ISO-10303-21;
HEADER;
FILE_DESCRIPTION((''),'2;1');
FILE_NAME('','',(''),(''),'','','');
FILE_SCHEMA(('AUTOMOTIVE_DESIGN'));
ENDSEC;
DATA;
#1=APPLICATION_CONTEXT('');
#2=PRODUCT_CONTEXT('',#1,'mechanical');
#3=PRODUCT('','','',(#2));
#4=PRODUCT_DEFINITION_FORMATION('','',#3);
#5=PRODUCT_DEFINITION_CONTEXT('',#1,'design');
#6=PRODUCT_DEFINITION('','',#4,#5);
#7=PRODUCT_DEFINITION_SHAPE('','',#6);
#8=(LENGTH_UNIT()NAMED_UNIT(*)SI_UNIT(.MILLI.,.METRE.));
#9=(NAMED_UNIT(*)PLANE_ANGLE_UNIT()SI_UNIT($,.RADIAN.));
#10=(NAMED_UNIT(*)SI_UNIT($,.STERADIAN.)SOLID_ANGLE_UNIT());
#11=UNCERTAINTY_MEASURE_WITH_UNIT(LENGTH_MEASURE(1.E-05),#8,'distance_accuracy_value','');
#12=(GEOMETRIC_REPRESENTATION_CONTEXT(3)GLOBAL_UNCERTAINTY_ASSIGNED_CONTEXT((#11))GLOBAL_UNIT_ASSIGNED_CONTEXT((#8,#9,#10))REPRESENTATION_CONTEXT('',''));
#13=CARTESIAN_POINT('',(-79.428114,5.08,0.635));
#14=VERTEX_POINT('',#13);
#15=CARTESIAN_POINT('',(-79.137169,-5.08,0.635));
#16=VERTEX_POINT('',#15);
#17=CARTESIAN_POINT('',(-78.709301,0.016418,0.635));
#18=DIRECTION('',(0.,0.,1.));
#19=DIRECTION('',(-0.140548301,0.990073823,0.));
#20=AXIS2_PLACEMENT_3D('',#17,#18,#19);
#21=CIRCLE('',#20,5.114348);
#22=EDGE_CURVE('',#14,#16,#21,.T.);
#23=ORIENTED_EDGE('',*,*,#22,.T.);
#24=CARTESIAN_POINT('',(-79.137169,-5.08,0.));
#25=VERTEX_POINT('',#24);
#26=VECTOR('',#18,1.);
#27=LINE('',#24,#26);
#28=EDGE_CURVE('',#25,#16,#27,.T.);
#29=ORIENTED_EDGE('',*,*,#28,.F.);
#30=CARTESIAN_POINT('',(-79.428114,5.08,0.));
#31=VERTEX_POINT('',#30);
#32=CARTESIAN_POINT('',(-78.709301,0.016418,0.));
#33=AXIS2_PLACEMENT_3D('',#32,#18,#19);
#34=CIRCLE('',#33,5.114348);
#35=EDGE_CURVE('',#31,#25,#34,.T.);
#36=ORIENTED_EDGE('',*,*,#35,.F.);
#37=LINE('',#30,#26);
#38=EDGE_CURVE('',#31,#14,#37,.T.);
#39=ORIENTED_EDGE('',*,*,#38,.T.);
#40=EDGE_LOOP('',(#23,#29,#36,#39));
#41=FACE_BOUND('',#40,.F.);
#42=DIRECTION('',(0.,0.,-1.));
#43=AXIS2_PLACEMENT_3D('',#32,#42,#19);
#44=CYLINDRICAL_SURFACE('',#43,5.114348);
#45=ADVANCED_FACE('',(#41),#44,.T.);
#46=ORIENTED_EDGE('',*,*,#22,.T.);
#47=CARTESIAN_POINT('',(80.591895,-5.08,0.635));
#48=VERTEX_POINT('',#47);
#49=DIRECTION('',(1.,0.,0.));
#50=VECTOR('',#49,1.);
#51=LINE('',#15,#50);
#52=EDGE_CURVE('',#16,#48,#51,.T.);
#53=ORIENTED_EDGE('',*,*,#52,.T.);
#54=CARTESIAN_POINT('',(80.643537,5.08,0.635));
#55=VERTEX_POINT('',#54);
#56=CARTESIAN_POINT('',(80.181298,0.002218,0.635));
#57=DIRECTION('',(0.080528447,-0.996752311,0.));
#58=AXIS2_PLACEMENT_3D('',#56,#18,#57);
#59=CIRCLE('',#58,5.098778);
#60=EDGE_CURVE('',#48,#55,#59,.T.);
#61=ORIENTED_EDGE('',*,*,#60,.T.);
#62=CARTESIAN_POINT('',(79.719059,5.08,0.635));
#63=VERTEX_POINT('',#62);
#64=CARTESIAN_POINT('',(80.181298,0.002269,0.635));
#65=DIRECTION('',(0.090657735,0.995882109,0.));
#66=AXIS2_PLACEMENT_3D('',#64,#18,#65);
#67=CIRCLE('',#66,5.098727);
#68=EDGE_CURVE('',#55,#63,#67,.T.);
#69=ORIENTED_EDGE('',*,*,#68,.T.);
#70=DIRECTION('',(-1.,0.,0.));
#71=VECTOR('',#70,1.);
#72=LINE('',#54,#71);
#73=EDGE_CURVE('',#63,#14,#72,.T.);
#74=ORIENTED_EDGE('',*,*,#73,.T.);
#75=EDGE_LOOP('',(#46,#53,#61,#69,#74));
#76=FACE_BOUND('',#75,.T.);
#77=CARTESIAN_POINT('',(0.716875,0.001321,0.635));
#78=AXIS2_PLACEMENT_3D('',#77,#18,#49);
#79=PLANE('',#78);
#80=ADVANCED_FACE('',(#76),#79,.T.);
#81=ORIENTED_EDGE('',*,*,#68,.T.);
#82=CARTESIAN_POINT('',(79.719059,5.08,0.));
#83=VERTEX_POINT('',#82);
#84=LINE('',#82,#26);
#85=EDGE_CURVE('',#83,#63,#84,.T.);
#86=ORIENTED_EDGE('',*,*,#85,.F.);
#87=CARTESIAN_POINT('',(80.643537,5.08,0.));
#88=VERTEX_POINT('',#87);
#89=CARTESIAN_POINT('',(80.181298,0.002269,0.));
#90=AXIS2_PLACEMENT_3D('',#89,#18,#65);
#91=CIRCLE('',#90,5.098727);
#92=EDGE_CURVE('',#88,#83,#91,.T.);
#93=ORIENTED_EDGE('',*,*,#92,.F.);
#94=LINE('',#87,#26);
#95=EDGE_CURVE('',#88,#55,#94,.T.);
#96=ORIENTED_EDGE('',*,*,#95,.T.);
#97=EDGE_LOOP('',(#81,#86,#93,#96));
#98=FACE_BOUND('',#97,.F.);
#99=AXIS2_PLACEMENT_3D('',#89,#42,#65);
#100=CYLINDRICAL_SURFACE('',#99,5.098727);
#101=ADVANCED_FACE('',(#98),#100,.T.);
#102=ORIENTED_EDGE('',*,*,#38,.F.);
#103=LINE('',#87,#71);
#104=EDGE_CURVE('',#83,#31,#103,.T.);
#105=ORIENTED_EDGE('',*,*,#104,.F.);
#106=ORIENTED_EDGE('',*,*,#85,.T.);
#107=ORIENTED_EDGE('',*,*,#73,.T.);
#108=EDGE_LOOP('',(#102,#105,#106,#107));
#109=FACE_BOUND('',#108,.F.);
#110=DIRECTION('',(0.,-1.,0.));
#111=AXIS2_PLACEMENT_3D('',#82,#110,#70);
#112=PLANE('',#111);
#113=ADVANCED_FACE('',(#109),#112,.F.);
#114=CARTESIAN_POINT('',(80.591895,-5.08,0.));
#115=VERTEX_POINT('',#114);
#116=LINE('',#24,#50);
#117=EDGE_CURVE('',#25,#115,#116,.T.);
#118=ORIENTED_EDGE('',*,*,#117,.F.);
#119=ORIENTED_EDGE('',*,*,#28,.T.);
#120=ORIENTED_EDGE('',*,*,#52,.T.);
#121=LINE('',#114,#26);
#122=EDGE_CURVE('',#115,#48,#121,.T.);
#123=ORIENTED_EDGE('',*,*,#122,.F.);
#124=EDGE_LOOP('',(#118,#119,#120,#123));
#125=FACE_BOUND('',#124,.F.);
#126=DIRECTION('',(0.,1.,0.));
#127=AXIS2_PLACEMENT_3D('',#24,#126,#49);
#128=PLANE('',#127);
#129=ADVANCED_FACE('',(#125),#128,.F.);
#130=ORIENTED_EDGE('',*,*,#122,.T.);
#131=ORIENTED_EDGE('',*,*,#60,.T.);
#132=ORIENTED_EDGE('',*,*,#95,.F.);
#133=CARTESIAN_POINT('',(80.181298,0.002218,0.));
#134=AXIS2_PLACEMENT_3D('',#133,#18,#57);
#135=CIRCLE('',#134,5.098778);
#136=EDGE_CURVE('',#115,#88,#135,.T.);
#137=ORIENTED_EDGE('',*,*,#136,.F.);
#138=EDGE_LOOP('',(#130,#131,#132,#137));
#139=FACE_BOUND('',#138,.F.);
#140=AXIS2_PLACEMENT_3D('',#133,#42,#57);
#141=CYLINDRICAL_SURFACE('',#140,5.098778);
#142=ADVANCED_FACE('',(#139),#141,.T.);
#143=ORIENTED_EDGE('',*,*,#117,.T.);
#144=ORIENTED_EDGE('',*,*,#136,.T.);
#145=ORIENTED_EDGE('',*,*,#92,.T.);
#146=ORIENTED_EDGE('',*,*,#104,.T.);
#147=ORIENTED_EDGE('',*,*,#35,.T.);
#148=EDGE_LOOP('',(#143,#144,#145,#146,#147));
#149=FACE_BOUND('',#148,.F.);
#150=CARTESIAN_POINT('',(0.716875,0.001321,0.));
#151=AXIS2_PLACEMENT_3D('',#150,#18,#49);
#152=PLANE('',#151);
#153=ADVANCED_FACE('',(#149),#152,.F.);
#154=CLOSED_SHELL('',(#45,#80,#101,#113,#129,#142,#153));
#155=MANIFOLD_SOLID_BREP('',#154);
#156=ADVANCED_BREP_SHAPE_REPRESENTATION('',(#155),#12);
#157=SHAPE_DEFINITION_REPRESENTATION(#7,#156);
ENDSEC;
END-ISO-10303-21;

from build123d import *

# Parameters (mm, degrees)
F1_DEPTH = 0.635


with BuildPart() as f1:
    # F0 (on Top) → F1 (new body)
    with BuildSketch(Plane.XY):
        with BuildLine():
            Line((-79.137169, -5.08), (80.591895, -5.08))
            ThreePointArc((80.591895, -5.08), (85.28001, -0.023698), (80.643537, 5.08))
            Line((80.643537, 5.08), (79.719059, 5.08))
            Line((79.719059, 5.08), (-79.428114, 5.08))
            ThreePointArc((-79.428114, 5.08), (-83.821553, -0.129978), (-79.137169, -5.08))
        make_face()
        with BuildLine():
            Line((79.719059, 5.08), (80.643537, 5.08))
            ThreePointArc((80.643537, 5.08), (80.181298, 5.100996), (79.719059, 5.08))
        make_face()
    extrude(amount=F1_DEPTH)


solid = f1.part
